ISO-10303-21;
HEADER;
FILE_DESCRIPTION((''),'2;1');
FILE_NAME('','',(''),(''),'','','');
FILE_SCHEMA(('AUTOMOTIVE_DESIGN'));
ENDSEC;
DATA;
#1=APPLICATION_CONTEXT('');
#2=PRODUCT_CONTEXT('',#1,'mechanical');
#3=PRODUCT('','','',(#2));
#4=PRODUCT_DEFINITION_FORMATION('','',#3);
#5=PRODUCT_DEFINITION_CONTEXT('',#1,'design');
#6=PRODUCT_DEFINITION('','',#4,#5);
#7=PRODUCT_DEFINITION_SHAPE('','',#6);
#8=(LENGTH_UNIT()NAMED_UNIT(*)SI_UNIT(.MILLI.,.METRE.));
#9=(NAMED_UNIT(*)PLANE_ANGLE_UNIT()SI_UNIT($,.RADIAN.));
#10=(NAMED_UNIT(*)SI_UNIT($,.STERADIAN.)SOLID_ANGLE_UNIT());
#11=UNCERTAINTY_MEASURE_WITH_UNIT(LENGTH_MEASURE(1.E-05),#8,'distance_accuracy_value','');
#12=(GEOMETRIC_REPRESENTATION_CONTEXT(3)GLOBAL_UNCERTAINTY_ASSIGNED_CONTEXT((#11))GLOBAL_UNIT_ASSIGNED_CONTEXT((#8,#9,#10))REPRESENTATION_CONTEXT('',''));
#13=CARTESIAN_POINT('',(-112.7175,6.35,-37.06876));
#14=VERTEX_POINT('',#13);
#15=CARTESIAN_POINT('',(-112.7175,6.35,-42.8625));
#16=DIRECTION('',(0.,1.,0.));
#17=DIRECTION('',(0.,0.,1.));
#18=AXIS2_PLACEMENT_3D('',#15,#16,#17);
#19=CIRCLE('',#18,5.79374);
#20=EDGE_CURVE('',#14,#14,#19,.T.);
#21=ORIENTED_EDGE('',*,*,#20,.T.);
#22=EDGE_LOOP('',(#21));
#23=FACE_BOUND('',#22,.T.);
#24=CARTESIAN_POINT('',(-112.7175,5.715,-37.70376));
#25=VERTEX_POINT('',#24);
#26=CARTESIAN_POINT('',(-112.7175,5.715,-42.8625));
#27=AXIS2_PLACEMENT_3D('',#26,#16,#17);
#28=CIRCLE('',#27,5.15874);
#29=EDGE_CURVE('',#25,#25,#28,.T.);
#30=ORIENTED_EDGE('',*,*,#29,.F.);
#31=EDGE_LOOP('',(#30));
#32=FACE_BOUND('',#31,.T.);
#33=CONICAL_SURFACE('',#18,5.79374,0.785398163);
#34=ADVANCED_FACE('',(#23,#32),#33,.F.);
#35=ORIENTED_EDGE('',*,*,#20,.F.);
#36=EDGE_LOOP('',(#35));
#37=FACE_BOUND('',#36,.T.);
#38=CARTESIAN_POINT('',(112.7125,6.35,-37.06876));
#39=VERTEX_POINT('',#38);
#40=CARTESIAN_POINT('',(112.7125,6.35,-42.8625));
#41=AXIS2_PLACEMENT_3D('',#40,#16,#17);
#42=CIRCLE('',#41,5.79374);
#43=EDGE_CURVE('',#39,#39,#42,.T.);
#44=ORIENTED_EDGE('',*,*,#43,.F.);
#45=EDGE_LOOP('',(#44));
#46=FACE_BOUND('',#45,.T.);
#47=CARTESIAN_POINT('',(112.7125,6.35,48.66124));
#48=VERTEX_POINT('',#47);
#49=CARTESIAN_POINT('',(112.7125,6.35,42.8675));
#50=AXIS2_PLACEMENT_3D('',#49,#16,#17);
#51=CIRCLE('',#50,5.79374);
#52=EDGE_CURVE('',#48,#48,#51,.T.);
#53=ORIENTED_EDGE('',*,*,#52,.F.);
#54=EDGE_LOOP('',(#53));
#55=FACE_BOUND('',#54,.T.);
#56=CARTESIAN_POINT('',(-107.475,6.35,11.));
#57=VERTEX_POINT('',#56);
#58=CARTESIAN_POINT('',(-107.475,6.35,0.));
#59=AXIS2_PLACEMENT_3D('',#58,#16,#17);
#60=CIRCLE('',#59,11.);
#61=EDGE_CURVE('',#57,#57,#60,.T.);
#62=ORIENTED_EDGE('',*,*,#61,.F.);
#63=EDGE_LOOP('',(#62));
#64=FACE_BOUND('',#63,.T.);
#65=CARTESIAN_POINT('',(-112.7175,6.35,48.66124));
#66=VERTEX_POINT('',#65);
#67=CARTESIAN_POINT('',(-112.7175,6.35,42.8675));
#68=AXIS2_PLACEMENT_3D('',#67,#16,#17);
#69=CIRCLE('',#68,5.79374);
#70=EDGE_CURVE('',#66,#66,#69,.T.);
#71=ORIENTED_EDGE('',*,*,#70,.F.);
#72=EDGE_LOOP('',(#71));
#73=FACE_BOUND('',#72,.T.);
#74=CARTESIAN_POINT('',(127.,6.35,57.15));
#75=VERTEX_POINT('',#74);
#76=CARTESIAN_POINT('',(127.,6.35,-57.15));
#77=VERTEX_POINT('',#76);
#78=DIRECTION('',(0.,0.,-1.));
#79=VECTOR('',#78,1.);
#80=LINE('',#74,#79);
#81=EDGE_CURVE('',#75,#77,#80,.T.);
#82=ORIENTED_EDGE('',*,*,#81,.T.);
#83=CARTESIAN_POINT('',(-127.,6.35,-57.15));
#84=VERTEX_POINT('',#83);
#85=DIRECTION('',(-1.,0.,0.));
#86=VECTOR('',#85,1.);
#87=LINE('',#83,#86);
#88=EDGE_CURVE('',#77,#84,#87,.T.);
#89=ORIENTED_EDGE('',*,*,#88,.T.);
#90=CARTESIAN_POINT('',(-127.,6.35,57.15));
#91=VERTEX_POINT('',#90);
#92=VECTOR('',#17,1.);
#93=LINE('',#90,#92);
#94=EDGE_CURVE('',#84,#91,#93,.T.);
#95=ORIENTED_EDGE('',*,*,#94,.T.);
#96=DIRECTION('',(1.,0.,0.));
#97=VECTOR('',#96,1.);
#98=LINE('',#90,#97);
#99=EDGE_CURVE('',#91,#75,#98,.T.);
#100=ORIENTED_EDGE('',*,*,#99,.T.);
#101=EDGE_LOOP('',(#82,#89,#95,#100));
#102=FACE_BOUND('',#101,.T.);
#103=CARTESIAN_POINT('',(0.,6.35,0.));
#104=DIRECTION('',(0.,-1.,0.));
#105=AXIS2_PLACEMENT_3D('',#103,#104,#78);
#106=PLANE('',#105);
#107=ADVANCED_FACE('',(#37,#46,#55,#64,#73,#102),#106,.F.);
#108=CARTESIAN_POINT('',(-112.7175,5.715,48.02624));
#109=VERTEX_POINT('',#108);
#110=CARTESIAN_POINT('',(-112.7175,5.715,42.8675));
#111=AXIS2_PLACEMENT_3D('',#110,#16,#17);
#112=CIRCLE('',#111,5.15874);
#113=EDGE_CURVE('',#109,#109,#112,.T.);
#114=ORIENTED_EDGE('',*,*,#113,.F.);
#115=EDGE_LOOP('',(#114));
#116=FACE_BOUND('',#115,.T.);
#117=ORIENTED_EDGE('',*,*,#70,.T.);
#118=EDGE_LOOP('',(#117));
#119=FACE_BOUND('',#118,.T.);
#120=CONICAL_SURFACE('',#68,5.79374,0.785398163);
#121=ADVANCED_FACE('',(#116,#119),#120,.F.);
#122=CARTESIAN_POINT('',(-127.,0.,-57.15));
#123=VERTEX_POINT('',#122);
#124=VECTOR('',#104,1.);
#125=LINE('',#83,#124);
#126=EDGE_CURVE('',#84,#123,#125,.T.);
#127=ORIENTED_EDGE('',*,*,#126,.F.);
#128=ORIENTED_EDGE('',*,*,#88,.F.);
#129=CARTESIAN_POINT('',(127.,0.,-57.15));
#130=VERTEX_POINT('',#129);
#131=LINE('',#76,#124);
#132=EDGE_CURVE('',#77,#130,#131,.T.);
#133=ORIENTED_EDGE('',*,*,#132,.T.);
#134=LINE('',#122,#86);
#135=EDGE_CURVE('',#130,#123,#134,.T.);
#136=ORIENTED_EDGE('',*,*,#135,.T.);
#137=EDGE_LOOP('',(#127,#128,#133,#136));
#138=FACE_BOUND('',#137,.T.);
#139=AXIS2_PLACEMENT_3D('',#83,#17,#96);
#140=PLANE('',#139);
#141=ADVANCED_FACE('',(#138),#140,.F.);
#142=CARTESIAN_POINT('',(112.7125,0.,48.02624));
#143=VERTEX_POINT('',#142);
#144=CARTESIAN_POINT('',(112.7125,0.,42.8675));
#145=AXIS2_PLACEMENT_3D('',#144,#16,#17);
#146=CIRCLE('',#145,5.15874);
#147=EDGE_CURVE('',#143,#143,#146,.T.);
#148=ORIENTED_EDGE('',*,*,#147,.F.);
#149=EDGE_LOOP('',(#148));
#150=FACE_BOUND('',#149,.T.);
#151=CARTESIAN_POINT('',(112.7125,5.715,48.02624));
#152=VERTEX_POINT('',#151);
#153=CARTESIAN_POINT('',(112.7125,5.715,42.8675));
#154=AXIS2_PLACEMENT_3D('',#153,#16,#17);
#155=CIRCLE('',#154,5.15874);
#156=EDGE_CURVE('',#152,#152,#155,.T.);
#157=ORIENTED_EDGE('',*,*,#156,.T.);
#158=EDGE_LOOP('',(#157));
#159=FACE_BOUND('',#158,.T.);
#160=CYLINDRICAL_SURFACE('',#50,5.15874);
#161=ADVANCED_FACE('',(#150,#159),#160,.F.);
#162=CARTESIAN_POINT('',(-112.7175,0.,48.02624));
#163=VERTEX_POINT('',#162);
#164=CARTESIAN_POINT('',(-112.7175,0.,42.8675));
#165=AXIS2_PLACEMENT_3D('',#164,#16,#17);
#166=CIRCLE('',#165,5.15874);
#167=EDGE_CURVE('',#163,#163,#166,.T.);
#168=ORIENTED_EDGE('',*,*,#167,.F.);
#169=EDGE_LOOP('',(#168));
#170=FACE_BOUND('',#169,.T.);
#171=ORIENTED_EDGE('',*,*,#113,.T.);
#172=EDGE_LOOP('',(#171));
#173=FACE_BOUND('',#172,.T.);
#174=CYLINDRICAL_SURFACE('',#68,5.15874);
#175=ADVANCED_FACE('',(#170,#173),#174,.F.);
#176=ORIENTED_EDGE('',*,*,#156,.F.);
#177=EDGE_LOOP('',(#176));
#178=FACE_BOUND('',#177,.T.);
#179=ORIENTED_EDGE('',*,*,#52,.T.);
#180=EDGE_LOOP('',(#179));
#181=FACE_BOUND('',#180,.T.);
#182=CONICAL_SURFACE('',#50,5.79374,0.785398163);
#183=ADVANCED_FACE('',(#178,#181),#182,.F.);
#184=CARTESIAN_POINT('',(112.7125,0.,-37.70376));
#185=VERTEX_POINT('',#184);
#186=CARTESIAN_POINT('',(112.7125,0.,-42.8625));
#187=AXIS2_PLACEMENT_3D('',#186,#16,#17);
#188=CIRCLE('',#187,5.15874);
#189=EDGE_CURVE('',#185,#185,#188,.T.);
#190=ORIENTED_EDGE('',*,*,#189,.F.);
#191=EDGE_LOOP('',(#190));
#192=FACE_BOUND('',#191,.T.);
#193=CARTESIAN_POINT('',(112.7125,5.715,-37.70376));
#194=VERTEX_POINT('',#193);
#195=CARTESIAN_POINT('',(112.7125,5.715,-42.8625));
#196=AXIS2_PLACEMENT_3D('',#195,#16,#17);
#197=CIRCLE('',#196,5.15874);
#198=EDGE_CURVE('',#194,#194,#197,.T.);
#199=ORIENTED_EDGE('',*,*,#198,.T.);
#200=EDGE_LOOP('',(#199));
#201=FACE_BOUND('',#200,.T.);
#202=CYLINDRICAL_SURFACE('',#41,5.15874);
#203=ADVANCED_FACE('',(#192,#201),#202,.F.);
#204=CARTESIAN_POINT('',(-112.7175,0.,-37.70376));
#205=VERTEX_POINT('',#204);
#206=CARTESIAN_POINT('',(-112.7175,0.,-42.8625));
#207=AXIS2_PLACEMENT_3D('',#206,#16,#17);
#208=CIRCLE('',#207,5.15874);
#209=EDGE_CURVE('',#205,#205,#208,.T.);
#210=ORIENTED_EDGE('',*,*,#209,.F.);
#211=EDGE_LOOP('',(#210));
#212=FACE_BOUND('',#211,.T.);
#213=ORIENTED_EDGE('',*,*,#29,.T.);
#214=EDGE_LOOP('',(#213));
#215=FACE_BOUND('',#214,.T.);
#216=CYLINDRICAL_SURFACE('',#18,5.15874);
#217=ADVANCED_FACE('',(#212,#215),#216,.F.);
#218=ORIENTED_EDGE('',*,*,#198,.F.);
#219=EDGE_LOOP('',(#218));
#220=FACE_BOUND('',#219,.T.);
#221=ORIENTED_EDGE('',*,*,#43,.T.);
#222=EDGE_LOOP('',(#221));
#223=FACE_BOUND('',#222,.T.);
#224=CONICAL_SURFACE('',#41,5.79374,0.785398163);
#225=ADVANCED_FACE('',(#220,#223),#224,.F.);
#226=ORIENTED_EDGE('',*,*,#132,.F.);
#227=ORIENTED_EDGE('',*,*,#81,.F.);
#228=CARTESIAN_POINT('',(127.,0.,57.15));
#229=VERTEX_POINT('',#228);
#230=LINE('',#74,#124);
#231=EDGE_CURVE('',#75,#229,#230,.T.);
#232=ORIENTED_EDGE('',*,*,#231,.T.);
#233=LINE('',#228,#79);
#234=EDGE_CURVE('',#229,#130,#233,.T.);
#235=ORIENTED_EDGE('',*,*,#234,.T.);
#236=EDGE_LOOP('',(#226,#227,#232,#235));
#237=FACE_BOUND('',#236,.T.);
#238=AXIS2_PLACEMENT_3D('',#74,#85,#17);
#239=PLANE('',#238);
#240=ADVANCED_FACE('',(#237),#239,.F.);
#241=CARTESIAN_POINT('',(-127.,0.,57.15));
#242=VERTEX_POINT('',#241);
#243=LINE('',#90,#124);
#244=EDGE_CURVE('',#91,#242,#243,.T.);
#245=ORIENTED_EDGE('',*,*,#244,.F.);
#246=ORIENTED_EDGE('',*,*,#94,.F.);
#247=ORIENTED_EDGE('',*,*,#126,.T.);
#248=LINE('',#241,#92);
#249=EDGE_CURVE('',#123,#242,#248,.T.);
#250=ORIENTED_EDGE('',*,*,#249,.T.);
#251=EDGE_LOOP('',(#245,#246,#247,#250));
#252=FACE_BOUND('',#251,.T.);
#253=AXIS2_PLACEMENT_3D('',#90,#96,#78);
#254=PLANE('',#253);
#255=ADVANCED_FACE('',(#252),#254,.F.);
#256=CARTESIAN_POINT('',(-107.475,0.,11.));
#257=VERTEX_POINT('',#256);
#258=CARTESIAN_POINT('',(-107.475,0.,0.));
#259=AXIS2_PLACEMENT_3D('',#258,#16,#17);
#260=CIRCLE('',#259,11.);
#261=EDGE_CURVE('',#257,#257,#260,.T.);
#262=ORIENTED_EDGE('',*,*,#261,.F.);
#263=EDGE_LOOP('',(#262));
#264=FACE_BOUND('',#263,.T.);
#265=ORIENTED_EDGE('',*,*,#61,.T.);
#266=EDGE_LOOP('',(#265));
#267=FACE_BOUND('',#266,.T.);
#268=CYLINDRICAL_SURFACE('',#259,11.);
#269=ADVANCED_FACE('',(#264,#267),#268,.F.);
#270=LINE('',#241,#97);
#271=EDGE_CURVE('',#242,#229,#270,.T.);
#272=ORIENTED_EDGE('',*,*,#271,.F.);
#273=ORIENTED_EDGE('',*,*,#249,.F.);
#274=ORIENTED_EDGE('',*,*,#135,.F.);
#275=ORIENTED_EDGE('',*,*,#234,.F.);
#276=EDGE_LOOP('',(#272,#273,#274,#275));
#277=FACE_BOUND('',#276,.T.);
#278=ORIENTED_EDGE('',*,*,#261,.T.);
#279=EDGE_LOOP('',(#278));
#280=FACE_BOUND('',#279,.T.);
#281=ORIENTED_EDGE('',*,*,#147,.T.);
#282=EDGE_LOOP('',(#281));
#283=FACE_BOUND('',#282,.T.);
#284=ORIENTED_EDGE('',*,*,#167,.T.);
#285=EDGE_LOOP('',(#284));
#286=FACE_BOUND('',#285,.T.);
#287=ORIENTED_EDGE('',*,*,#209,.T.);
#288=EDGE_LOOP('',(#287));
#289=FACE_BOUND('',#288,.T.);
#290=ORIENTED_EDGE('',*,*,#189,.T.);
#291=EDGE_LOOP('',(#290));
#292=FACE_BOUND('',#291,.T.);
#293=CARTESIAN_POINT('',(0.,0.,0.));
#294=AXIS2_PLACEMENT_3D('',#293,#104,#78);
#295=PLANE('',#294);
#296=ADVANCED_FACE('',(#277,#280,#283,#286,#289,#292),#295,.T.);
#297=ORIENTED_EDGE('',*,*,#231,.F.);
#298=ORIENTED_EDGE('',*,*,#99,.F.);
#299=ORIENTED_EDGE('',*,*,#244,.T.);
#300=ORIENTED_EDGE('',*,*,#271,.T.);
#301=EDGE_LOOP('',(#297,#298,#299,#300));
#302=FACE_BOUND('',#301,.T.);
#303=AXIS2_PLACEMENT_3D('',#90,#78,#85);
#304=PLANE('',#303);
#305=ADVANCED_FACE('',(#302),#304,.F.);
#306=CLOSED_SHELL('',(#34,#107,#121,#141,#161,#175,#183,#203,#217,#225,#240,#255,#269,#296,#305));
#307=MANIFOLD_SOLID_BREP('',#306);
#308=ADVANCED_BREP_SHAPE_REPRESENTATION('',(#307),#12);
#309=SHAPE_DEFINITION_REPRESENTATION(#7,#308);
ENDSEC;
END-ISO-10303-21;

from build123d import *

# Parameters (mm, degrees)
SKETCH1_W                         = 254
SKETCH1_H                         = 114.3
BOSS_EXTRUDE1_DEPTH               = 6.35
SKETCH2_R                         = 11
CUT_EXTRUDE1_DEPTH                = 140.411064841
F_3_8_CLEARANCE_HOLE1_D           = 10.31748
F_3_8_CLEARANCE_HOLE1_CSINK_D     = 11.58748
F_3_8_CLEARANCE_HOLE1_CSINK_ANGLE = 90


with BuildPart() as part:
    # Sketch1 → Boss-Extrude1 (new body)
    with BuildSketch(Plane(origin=(0, 0, 0), x_dir=(1, 0, 0), z_dir=(0, 1, 0))):
        Rectangle(SKETCH1_W, SKETCH1_H)
    extrude(amount=BOSS_EXTRUDE1_DEPTH)

    # Sketch2 → Cut-Extrude1 (cut, through all)
    with BuildSketch(Plane(origin=(0, 6.35, 0), x_dir=(1, 0, 0), z_dir=(0, 1, 0))):
        with Locations(Location((-107.475, 0, 0), (0, 0, 270))):
            Circle(SKETCH2_R)
    extrude(amount=-CUT_EXTRUDE1_DEPTH, mode=Mode.SUBTRACT)

    # 3/8 Clearance Hole1 (through all)
    with Locations(Plane(origin=(0, 6.35, 0), x_dir=(1, 0, 0), z_dir=(0, 1, 0))):
        with Locations((112.7125, 42.8625), (112.7125, -42.8675), (-112.7175, -42.8675), (-112.7175, 42.8625)):
            CounterSinkHole(F_3_8_CLEARANCE_HOLE1_D / 2, F_3_8_CLEARANCE_HOLE1_CSINK_D / 2, counter_sink_angle=F_3_8_CLEARANCE_HOLE1_CSINK_ANGLE)


solid = part.part
